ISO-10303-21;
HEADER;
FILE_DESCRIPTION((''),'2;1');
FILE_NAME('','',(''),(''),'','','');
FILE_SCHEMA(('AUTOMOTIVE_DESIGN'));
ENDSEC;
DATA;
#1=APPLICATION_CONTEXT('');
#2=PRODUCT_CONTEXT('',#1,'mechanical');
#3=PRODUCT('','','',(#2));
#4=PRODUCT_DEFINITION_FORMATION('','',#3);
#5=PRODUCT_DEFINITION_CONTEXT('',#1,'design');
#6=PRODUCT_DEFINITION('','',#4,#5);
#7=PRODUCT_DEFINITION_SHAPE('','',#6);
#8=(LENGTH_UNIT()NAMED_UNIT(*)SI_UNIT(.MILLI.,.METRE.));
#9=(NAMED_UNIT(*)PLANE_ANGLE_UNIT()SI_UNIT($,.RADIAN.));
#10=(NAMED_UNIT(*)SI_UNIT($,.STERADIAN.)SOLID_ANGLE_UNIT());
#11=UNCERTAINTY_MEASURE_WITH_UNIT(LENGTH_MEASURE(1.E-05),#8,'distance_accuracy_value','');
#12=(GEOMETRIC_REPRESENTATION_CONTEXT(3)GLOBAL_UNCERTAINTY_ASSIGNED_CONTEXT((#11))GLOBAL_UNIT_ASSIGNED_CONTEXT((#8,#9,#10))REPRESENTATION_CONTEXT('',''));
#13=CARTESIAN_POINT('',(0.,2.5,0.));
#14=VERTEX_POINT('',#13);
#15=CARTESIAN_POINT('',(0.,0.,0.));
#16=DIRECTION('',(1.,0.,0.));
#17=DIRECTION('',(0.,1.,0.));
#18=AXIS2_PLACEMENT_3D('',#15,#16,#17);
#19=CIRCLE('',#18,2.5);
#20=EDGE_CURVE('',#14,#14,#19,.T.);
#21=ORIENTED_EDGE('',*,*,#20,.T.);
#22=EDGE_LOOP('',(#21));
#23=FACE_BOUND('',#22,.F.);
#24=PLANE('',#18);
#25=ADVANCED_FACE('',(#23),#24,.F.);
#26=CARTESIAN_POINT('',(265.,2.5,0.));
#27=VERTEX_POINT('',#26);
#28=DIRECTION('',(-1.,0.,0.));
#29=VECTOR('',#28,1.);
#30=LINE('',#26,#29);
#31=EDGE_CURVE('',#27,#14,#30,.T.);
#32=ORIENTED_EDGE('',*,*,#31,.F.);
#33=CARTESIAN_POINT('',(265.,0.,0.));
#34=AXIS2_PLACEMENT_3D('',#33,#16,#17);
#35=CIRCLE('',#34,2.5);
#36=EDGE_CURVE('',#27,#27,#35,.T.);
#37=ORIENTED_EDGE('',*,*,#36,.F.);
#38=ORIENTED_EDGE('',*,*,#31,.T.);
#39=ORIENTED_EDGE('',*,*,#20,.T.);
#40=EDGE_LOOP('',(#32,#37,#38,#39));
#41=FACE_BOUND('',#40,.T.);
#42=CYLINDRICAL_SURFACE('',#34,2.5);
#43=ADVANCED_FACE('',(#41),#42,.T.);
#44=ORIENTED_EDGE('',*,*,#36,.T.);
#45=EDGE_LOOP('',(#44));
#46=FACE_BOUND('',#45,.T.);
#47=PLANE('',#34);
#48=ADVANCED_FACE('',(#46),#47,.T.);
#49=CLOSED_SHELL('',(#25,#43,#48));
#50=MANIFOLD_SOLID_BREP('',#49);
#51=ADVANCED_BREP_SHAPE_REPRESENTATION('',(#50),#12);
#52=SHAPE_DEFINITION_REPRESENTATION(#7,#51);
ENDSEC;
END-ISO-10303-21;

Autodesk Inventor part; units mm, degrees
ref_plane "XZ Plane" through (0, 0, 0) normal (0, 1, 0) x (-1, 0, 0)
ref_plane "XY Plane" through (0, 0, 0) normal (0, 0, 1) x (1, 0, 0)
ref_plane "Work Plane1" through (265, 0, 0) normal (1, 0, 0) x (0, 1, 0)
sketch "Sketch1" plane through (265, 0, 0) normal (1, 0, 0) x (0, 1, 0)
  circle A0 centre (0, 0) radius 2.5
extrude "Extrusion1" add sketch "Sketch1" against normal blind 265
properties part number "X-axis axle" material "Steel, Carbon"
